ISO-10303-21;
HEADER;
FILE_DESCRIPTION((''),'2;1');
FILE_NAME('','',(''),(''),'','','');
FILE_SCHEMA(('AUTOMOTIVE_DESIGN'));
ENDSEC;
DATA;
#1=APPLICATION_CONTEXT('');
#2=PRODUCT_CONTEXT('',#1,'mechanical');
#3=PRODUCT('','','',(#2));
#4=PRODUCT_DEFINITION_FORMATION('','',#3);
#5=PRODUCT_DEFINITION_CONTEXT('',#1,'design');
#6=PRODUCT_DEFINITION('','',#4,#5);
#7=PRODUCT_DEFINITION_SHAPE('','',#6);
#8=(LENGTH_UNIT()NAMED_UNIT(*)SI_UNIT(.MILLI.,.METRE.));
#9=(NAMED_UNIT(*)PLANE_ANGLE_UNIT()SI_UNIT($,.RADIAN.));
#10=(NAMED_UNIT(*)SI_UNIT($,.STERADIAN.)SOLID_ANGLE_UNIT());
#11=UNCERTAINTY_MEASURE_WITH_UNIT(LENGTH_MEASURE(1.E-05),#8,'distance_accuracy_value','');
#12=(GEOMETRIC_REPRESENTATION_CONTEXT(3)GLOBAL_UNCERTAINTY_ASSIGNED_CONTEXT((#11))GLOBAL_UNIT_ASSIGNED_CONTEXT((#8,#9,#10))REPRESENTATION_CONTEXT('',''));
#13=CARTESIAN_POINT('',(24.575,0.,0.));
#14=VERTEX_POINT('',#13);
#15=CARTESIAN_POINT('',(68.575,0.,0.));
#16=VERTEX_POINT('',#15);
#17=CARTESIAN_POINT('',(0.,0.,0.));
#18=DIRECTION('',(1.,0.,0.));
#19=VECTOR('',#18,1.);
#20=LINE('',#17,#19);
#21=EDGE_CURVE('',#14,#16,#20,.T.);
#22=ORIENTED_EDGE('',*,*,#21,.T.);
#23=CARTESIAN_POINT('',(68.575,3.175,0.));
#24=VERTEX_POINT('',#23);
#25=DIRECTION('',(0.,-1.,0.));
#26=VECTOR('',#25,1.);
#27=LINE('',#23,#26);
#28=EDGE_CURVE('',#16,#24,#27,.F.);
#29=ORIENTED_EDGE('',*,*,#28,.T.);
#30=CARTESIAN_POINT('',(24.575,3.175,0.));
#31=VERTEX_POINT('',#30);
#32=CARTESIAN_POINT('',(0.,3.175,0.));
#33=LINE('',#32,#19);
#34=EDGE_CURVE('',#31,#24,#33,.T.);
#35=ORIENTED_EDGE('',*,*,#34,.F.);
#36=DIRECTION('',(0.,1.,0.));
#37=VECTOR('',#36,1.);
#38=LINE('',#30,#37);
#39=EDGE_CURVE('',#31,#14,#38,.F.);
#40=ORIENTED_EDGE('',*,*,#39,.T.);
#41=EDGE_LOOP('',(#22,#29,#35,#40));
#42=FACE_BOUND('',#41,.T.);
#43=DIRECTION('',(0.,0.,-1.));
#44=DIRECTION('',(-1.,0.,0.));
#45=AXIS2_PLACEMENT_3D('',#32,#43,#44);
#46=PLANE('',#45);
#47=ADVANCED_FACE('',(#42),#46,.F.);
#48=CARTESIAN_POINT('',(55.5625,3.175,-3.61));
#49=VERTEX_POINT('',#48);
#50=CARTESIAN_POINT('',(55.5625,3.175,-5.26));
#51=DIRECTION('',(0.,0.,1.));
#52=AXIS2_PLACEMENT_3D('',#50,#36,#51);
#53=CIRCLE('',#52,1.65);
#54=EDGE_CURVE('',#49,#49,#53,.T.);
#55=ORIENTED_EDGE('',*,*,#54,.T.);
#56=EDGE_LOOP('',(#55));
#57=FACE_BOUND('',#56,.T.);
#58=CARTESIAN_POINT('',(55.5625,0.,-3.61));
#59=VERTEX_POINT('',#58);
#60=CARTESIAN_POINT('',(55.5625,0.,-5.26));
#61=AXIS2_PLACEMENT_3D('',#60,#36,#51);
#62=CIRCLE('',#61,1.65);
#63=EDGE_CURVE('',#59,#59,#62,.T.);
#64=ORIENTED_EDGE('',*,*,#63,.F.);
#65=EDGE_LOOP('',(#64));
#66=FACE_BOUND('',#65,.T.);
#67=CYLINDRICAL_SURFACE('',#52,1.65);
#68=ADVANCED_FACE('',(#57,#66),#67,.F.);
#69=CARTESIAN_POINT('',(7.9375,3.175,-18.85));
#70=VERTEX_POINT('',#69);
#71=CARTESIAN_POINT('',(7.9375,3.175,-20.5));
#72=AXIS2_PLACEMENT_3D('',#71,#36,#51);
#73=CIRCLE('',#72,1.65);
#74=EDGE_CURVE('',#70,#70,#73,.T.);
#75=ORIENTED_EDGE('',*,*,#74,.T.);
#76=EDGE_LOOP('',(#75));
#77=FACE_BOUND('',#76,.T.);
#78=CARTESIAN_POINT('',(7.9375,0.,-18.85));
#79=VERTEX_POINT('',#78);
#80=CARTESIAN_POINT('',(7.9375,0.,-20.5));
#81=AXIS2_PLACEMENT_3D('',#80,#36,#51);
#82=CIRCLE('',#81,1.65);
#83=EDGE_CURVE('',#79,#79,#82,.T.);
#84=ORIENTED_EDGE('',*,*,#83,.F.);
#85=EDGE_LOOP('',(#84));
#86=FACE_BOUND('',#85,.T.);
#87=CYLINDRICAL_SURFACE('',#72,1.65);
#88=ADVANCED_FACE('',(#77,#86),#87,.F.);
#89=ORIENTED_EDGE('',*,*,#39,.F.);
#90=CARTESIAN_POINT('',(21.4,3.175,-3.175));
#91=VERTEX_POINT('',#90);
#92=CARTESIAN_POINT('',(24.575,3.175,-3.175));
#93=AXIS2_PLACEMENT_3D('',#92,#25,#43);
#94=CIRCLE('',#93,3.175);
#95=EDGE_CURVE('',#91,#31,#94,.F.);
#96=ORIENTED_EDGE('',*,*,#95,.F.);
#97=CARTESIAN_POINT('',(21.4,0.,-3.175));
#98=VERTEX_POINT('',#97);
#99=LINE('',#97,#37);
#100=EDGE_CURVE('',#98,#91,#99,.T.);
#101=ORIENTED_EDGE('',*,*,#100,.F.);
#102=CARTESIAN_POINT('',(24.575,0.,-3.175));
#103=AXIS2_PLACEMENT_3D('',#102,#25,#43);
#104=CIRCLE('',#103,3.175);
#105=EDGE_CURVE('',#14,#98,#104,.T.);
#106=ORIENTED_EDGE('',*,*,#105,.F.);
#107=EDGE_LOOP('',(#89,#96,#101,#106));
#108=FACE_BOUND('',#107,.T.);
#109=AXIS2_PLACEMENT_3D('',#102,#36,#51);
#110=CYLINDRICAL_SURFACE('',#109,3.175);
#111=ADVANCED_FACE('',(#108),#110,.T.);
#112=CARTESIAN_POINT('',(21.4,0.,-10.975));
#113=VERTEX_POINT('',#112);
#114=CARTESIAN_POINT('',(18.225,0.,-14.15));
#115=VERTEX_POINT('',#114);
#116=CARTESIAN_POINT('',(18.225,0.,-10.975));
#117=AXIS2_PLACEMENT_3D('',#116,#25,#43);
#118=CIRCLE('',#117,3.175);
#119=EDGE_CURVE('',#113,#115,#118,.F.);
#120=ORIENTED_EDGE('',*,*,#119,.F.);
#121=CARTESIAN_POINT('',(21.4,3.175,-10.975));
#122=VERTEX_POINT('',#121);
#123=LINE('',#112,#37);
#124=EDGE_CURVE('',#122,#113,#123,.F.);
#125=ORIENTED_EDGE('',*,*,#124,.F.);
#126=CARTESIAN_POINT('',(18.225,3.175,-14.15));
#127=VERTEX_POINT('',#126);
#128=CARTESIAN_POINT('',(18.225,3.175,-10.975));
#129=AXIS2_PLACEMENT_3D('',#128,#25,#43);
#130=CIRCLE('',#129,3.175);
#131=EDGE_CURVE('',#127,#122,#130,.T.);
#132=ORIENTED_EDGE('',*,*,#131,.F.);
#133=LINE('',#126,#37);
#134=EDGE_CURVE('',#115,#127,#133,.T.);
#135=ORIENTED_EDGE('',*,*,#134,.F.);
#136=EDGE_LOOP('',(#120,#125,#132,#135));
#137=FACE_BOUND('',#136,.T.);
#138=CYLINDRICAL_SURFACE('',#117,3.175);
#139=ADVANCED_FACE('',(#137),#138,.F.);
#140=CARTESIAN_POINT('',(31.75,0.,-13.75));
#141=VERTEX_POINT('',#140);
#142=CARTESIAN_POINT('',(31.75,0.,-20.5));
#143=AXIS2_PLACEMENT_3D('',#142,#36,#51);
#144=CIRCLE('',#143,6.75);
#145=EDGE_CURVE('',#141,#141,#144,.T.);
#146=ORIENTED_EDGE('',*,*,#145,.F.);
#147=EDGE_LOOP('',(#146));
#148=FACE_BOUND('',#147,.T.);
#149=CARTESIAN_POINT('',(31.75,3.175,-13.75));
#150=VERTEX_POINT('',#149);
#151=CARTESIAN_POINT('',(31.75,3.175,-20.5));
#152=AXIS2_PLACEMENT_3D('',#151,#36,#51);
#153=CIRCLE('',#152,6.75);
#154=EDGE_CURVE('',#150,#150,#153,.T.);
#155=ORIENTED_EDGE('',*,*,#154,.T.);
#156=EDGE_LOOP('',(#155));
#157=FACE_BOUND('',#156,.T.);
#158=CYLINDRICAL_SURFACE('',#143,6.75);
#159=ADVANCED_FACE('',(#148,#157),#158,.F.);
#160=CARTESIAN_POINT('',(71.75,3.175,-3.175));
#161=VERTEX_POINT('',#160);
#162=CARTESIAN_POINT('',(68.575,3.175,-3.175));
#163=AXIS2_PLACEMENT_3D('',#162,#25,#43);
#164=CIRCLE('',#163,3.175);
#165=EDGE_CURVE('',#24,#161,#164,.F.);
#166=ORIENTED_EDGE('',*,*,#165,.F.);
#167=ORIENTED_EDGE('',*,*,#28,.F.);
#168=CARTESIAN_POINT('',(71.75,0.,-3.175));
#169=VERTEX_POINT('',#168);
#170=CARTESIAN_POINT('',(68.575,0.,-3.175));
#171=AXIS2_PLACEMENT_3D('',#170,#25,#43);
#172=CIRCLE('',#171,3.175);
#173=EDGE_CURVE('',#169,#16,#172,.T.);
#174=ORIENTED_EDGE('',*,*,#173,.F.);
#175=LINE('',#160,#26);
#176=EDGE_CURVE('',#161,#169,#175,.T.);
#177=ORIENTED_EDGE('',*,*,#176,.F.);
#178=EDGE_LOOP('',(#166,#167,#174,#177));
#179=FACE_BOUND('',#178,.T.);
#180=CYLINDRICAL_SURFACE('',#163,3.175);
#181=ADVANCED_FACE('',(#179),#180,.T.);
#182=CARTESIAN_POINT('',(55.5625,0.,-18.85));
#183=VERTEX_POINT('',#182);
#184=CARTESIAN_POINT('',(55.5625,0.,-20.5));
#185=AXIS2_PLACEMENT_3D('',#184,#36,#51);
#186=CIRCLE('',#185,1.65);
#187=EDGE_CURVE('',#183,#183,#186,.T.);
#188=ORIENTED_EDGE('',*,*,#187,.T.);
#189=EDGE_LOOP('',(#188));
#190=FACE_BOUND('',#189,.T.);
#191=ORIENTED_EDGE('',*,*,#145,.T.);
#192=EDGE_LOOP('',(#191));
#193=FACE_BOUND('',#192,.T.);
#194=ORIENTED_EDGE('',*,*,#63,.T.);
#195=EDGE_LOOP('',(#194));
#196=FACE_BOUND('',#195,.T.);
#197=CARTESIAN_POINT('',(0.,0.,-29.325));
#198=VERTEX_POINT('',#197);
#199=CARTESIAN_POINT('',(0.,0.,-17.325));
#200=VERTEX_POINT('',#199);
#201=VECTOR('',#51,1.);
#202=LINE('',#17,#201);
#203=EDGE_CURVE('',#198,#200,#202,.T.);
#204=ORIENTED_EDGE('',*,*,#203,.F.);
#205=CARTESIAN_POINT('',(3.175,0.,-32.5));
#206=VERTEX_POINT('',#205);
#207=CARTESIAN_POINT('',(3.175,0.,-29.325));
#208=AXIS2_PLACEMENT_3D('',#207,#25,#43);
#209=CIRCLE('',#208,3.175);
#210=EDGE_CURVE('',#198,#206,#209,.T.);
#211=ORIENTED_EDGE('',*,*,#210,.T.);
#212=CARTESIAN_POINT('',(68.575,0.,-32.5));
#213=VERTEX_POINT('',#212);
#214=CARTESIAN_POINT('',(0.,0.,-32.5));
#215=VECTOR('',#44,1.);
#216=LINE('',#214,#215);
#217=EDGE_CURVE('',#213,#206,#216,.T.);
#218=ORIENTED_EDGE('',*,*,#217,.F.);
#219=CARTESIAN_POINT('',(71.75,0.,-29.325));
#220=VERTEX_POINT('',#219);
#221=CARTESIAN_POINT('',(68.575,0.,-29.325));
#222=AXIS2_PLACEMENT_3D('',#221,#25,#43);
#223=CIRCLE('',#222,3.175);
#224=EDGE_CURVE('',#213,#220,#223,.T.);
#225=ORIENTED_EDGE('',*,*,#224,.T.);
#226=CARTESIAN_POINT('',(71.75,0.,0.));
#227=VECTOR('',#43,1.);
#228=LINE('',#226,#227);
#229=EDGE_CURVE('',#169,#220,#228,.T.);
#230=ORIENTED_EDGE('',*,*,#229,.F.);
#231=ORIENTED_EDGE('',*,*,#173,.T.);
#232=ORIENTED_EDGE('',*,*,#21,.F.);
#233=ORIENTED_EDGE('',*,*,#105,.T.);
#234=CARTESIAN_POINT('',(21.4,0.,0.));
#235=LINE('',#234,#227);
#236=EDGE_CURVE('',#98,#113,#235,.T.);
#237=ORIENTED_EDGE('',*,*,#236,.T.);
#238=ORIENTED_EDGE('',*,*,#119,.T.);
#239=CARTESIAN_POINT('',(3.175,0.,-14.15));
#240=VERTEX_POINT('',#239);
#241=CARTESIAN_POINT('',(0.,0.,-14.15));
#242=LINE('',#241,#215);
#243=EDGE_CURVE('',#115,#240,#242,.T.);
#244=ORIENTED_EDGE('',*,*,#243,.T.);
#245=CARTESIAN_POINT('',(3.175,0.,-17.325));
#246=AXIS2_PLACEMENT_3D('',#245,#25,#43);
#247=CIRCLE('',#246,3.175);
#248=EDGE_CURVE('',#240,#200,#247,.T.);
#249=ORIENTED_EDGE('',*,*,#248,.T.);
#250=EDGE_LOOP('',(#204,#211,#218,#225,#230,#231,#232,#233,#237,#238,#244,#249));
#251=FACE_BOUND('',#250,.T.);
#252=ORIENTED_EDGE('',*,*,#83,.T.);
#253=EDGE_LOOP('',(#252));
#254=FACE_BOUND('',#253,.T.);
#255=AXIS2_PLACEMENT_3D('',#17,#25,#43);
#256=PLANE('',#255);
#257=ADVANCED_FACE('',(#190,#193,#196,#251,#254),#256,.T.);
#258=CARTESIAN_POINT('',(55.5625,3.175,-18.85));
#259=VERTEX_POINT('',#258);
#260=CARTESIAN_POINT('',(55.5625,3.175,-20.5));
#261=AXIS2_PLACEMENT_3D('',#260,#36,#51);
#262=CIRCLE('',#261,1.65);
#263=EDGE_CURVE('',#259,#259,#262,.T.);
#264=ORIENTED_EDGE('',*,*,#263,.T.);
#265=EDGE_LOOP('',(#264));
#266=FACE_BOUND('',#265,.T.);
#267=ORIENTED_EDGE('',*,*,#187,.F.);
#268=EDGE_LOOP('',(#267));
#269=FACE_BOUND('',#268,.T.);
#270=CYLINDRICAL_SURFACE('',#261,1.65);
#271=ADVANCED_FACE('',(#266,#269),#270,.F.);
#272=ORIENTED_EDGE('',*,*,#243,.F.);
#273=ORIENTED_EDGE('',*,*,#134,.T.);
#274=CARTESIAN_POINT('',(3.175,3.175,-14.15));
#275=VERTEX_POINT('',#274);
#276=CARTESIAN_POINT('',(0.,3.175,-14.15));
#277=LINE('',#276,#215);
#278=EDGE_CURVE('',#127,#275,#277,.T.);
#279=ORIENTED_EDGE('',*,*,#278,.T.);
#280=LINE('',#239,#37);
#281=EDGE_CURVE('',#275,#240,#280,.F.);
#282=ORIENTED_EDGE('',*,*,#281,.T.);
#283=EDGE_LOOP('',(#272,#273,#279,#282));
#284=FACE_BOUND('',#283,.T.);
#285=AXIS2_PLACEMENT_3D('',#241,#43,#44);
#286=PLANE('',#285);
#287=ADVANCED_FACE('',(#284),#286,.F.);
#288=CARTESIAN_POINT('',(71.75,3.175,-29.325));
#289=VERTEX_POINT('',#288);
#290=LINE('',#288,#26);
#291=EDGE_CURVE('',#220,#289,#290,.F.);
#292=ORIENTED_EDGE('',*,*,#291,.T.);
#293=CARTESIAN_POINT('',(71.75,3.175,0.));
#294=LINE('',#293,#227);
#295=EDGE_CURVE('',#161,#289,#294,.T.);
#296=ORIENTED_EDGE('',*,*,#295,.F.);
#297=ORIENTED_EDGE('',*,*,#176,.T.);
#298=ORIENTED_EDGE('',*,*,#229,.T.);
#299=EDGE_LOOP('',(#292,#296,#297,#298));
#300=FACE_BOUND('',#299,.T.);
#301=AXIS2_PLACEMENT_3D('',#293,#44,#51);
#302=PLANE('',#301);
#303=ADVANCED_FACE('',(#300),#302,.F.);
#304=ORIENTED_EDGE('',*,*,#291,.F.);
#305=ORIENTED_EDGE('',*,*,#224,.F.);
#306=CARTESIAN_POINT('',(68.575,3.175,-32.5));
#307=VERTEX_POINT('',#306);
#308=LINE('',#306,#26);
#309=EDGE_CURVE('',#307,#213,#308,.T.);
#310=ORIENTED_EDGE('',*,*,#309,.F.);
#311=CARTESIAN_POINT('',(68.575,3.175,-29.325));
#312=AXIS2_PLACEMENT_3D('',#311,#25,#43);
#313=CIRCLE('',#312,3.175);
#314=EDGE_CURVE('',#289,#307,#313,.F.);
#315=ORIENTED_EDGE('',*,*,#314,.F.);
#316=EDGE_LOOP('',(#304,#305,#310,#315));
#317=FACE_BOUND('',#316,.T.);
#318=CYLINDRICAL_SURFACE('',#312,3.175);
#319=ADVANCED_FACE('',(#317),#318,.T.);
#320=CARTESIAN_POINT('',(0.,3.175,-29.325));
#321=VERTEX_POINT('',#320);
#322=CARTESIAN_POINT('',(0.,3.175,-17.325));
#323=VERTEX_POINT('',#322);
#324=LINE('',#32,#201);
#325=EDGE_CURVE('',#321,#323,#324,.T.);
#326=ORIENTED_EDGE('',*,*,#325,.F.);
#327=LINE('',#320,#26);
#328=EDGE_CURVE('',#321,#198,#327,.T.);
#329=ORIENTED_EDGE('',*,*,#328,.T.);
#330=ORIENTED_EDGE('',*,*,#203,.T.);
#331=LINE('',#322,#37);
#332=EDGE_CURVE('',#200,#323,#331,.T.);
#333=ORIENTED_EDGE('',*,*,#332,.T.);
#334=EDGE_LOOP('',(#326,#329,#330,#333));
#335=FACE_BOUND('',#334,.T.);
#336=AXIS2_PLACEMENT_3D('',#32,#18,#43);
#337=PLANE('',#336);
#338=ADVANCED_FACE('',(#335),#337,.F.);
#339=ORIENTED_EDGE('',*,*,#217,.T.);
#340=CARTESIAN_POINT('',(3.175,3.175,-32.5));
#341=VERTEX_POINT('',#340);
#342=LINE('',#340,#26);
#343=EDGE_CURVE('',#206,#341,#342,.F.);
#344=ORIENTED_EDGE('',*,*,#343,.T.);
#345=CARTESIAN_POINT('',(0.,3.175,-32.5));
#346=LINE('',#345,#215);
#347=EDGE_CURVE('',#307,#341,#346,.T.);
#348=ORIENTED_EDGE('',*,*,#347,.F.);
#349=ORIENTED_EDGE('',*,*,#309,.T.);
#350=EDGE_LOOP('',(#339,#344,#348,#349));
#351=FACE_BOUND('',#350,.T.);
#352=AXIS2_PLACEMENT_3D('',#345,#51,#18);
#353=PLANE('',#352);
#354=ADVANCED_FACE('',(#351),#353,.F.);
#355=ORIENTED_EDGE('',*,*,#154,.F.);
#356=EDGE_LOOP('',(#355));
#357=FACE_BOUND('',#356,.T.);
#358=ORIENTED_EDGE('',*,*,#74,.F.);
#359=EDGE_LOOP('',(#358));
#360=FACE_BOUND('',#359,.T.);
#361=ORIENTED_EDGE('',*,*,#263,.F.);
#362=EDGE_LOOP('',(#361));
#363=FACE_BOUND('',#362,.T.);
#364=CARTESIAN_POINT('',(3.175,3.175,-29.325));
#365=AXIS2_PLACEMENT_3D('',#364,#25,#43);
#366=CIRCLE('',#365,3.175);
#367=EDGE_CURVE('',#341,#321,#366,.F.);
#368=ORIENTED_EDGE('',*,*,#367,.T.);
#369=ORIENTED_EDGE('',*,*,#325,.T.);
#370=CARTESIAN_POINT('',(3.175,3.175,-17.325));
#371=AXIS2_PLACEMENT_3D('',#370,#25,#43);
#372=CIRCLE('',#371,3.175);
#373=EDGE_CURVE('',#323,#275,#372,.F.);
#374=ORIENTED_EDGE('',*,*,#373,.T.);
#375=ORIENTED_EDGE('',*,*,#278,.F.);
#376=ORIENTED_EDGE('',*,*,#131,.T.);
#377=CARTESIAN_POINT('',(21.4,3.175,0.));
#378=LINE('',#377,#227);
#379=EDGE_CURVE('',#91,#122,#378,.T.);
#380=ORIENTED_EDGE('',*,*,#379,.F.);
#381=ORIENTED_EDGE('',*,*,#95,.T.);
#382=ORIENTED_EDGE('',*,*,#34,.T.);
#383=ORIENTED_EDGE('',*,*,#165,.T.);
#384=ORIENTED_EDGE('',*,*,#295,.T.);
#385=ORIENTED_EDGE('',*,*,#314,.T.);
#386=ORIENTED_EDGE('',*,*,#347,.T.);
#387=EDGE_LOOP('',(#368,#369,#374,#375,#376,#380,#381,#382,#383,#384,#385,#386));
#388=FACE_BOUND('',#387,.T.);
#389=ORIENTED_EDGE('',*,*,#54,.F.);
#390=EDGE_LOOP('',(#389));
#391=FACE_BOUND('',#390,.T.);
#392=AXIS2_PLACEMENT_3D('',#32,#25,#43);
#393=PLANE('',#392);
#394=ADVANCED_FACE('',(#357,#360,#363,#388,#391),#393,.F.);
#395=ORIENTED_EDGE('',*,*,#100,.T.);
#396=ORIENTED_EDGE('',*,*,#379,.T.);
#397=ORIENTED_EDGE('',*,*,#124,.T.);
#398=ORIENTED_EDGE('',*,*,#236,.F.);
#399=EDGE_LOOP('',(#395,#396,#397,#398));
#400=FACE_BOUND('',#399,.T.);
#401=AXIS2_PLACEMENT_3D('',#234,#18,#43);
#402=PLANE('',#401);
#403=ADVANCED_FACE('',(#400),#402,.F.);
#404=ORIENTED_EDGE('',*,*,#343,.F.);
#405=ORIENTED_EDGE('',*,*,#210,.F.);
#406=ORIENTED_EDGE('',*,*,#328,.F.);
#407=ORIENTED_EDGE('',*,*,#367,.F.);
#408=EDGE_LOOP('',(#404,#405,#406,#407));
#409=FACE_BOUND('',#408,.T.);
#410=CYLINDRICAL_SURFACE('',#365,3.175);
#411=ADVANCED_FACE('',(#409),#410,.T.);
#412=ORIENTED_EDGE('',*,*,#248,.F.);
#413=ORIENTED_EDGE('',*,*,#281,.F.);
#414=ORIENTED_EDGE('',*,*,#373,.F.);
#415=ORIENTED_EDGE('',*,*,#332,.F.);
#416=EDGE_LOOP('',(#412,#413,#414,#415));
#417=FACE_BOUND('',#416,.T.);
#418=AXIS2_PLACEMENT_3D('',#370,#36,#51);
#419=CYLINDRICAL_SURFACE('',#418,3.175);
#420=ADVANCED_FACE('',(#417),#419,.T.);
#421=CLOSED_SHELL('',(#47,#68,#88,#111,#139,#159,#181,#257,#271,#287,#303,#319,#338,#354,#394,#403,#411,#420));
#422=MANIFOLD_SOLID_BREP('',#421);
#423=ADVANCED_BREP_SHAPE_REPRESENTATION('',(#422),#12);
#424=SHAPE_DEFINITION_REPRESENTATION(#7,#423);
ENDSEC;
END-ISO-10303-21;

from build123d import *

# Parameters (mm, degrees)
SKETCH1_W             = 71.75
SKETCH1_H             = 32.5
BOSS_EXTRUDE1_DEPTH   = 3.175
M4X0_7_TAPPED_HOLE1_D = 3.3
SKETCH5_R             = 6.75
CUT_EXTRUDE1_DEPTH    = 79.831422193
SKETCH6_W             = 21.4
SKETCH6_H             = 14.15
CUT_EXTRUDE2_DEPTH    = 79.831422193
FILLET1_R             = 3.175


with BuildPart() as part:
    # Sketch1 → Boss-Extrude1 (new body)
    with BuildSketch(Plane(origin=(0, 0, 0), x_dir=(1, 0, 0), z_dir=(0, 1, 0))):
        with Locations((35.875, 16.25)):
            Rectangle(SKETCH1_W, SKETCH1_H)
    extrude(amount=BOSS_EXTRUDE1_DEPTH)

    # M4x0.7 Tapped Hole1 (through all)
    with Locations(Plane(origin=(0, 3.175, 0), x_dir=(1, 0, 0), z_dir=(0, 1, 0))):
        with Locations((7.9375, 20.5), (55.5625, 20.5), (55.5625, 5.26)):
            Hole(M4X0_7_TAPPED_HOLE1_D / 2)

    # Sketch5 → Cut-Extrude1 (cut, through all)
    with BuildSketch(Plane(origin=(0, 3.175, 0), x_dir=(1, 0, 0), z_dir=(0, 1, 0))):
        with Locations((31.75, 20.5)):
            Circle(SKETCH5_R)
    extrude(amount=-CUT_EXTRUDE1_DEPTH, mode=Mode.SUBTRACT)

    # Sketch6 → Cut-Extrude2 (cut, through all)
    with BuildSketch(Plane(origin=(0, 3.175, 0), x_dir=(1, 0, 0), z_dir=(0, 1, 0))):
        with Locations((10.7, 7.075)):
            Rectangle(SKETCH6_W, SKETCH6_H)
    extrude(amount=-CUT_EXTRUDE2_DEPTH, mode=Mode.SUBTRACT)

    # Fillet1
    fillet1_edges = [part.edges().sort_by_distance(p)[0] for p in [
        (0, 1.5875, -32.5),
        (71.75, 1.5875, -32.5),
        (71.75, 1.5875, 0),
        (0, 1.5875, -14.15),
        (21.4, 1.5875, -14.15),
        (21.4, 1.5875, 0),
    ]]
    fillet(fillet1_edges, radius=FILLET1_R)


solid = part.part
